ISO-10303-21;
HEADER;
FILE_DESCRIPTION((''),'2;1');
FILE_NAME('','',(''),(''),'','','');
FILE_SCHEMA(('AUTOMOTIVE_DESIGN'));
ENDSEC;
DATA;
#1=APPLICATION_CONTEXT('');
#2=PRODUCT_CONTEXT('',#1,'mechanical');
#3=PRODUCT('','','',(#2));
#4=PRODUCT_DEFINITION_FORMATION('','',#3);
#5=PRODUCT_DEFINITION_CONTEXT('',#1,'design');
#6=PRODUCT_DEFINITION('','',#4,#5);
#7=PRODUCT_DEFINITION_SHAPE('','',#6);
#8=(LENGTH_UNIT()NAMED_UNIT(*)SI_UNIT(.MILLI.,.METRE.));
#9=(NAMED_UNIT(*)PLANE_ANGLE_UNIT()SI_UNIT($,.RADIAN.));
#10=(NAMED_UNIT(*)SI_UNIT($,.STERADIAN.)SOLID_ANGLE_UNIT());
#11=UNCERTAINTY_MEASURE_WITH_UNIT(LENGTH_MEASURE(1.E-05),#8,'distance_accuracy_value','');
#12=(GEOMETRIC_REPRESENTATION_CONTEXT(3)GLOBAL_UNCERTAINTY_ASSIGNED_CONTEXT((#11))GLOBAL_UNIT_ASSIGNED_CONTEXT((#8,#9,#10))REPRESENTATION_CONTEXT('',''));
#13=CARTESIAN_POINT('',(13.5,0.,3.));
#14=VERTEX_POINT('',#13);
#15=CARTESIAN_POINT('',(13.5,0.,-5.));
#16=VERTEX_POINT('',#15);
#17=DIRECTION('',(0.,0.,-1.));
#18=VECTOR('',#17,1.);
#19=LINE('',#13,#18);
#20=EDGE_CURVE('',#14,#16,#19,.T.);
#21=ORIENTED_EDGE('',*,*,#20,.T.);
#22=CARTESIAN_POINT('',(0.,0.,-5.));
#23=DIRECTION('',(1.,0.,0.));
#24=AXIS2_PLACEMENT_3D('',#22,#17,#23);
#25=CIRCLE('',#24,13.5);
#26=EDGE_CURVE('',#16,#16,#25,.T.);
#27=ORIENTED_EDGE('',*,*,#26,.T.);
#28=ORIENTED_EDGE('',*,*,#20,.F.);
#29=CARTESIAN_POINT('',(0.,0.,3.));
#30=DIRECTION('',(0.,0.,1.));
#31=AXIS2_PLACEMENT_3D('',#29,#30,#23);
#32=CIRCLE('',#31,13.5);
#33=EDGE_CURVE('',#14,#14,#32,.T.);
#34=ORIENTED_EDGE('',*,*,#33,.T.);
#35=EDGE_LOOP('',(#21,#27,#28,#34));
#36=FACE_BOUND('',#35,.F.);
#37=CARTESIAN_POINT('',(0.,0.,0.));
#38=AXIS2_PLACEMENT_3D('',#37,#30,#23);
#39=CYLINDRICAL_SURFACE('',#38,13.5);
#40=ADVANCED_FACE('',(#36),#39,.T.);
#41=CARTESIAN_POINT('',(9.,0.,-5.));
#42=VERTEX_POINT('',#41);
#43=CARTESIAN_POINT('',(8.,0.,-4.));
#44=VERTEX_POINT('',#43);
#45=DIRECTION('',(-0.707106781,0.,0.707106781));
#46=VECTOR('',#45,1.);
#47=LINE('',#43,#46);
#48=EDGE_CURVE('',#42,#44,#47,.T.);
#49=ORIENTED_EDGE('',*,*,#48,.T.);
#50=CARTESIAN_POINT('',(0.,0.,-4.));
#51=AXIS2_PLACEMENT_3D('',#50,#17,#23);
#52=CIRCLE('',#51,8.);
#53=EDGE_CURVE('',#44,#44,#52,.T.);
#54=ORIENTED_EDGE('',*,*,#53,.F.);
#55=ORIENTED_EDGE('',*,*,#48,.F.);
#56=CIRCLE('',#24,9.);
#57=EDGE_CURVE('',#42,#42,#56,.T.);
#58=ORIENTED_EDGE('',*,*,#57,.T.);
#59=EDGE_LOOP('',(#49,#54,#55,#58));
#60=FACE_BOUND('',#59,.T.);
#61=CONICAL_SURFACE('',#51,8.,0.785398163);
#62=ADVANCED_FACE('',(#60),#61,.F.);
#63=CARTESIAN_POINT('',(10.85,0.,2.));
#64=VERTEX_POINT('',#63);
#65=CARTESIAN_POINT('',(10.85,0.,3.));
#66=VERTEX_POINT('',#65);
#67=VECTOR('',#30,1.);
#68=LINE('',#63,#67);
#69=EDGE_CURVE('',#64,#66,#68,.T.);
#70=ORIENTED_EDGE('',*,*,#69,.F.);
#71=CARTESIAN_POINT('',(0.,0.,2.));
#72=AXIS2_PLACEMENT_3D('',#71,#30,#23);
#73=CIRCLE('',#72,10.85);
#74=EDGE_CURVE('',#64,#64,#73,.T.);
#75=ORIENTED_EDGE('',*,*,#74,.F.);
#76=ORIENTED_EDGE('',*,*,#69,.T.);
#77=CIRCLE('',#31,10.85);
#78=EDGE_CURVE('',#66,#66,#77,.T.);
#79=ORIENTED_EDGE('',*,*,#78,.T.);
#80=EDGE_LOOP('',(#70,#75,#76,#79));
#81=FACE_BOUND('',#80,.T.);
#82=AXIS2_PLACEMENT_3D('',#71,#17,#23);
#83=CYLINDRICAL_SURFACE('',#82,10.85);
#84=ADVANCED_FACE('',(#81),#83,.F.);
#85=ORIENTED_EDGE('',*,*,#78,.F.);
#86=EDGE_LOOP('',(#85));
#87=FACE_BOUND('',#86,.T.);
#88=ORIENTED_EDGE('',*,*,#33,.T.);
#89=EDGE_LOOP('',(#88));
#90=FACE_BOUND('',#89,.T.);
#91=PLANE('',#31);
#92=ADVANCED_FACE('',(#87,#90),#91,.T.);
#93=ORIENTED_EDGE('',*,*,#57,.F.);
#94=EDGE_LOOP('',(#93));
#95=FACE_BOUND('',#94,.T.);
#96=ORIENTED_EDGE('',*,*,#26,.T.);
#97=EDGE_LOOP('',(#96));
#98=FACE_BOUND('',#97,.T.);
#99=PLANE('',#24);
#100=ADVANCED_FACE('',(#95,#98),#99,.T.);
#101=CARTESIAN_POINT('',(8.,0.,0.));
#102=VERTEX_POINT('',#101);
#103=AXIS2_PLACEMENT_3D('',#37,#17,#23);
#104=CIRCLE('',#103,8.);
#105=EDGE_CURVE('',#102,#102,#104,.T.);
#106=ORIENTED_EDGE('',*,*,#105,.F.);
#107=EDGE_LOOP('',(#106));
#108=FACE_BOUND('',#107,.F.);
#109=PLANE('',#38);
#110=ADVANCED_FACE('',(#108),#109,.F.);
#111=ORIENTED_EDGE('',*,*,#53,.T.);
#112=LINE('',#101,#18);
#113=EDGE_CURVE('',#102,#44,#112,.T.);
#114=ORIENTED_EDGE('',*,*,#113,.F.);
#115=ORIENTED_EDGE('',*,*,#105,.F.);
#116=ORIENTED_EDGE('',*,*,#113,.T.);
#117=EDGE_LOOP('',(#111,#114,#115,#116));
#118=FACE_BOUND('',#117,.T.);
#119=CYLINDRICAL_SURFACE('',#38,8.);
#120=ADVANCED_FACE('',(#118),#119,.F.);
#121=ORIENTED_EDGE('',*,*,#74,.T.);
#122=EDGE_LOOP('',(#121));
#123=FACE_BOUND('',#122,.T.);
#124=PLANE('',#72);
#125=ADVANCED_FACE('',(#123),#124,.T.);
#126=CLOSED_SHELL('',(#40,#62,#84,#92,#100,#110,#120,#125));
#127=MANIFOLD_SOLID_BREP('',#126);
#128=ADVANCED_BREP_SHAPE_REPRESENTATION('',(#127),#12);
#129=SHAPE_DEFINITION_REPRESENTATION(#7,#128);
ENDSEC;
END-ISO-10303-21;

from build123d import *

# Parameters (mm, degrees)
SKETCH_R      = 13.5
PAD_DEPTH     = 2
SKETCH001_R   = 13.5
SKETCH001_R_2 = 10.85
PAD001_DEPTH  = 1
SKETCH002_R   = 13.5
SKETCH002_R_2 = 8
PAD002_DEPTH  = 5
CHAMFER_SIZE  = 1


with BuildPart() as part:
    # Sketch → Pad (new body)
    with BuildSketch(Plane.XY):
        Circle(SKETCH_R)
    extrude(amount=PAD_DEPTH)

    # Sketch001 (on Face3 of Pad) → Pad001 (join)
    with BuildSketch(Plane.XY.offset(2)):
        Circle(SKETCH001_R)
        Circle(SKETCH001_R_2, mode=Mode.SUBTRACT)
    extrude(amount=PAD001_DEPTH)

    # Sketch002 (on Face2 of Pad001) → Pad002 (join)
    with BuildSketch(Plane(origin=(0, 0, 0), x_dir=(1, 0, 0), z_dir=(0, 0, -1))):
        Circle(SKETCH002_R)
        Circle(SKETCH002_R_2, mode=Mode.SUBTRACT)
    extrude(amount=PAD002_DEPTH)

    # Chamfer
    chamfer_edges = [part.edges().sort_by_distance(p)[0] for p in [
        (-8, 0, -5),
    ]]
    chamfer(chamfer_edges, length=CHAMFER_SIZE)


solid = part.part
